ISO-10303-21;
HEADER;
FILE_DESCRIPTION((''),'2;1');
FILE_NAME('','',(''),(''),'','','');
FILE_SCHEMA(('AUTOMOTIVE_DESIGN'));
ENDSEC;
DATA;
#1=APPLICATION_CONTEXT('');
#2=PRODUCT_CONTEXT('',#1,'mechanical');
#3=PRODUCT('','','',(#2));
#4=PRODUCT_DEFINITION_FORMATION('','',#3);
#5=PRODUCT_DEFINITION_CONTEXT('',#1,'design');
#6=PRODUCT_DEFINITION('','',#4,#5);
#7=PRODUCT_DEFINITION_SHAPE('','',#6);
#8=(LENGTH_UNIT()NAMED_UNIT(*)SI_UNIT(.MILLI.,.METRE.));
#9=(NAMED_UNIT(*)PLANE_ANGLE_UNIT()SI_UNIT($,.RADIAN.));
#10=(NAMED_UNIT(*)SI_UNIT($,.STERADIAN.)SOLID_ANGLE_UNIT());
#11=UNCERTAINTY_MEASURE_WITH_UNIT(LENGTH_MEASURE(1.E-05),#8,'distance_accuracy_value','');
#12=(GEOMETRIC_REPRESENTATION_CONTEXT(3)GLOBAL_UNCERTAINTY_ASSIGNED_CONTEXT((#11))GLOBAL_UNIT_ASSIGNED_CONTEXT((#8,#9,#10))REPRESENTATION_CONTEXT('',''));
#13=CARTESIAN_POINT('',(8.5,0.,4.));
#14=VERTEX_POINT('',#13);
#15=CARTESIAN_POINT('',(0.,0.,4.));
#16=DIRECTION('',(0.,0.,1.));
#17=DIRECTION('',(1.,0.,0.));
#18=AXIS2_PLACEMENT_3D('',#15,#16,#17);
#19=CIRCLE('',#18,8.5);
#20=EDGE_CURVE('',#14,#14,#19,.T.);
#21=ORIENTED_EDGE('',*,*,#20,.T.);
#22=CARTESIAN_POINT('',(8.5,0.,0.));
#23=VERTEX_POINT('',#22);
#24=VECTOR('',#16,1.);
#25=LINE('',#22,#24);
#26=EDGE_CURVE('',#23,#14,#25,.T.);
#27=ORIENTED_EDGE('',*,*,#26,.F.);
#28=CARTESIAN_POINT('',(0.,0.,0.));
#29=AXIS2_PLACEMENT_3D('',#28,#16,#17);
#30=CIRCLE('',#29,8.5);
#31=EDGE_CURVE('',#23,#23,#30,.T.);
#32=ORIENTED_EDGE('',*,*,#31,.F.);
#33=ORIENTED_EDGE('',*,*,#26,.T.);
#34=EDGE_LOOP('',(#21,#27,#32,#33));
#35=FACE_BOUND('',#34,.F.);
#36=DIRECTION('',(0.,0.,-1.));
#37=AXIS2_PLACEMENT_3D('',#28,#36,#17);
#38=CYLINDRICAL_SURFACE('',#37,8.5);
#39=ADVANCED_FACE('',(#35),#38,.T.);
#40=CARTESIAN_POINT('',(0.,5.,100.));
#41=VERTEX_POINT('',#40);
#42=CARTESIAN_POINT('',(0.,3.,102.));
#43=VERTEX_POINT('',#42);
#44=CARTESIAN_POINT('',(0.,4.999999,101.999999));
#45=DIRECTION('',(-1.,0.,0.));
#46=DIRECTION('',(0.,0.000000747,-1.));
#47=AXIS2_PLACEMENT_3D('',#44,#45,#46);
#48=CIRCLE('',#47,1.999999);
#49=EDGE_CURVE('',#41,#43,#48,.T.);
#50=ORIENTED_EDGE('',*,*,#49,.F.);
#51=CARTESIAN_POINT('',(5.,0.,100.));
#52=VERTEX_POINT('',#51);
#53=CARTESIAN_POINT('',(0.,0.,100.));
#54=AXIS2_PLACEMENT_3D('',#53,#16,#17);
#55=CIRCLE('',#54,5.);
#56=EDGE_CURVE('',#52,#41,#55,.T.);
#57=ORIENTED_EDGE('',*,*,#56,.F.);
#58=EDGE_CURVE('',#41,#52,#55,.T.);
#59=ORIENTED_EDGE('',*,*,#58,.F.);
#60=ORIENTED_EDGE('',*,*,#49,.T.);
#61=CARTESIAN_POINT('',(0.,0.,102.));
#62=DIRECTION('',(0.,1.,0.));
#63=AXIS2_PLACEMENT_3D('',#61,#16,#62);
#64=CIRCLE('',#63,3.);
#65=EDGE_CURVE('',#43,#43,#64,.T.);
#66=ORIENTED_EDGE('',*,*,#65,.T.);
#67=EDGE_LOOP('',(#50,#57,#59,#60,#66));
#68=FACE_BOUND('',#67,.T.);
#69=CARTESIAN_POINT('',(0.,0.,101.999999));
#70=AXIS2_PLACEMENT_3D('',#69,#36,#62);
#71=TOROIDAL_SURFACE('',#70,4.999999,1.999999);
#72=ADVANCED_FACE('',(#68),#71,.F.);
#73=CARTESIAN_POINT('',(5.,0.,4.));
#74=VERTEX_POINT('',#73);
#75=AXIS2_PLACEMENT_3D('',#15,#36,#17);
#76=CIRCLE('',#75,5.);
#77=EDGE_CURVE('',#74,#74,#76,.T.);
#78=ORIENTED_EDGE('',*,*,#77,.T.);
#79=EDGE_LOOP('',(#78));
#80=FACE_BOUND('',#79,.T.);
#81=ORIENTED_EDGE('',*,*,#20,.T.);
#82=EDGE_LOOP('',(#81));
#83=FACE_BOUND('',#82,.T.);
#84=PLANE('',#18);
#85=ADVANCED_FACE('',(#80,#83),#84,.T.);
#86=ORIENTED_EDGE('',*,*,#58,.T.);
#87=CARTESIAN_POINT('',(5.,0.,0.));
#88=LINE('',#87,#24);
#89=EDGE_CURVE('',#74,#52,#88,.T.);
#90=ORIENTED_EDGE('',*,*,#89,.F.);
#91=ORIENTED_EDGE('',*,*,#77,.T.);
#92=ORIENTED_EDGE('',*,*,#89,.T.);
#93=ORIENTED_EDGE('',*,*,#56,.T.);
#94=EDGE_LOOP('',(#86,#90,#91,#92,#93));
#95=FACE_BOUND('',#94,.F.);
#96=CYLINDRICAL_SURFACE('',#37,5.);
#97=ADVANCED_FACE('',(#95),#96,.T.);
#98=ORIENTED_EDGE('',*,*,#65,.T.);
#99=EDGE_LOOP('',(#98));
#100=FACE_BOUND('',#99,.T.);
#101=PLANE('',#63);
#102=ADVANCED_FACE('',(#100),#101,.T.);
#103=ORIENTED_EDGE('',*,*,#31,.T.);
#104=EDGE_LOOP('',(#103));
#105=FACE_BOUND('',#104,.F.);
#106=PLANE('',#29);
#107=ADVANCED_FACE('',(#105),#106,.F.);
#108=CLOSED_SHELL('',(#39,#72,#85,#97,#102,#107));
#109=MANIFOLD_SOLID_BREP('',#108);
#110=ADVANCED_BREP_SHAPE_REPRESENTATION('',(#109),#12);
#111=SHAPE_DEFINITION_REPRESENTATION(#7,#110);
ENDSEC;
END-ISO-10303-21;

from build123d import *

# Parameters (mm, degrees)
F0_R     = 8.5
F1_DEPTH = 4
F2_R     = 5
F3_DEPTH = 100


with BuildPart() as f1:
    # F0 (on Top) → F1 (new body)
    with BuildSketch(Plane.XY):
        Circle(F0_R)
    extrude(amount=F1_DEPTH)

    # F2 (on Top) → F3 (join)
    with BuildSketch(Plane.XY):
        Circle(F2_R)
    extrude(amount=F3_DEPTH)

    # F4 (on Right) → F5 (revolve)
    with BuildSketch(Plane.YZ):
        with BuildLine():
            Line((0, 102), (0, 100))
            Line((0, 100), (5, 100))
            ThreePointArc((5, 100), (3.585786, 100.585786), (3, 102))
            Line((3, 102), (0, 102))
        make_face()
    revolve(axis=Axis((0, 0, 101), (0, 0, 1)))


solid = f1.part
